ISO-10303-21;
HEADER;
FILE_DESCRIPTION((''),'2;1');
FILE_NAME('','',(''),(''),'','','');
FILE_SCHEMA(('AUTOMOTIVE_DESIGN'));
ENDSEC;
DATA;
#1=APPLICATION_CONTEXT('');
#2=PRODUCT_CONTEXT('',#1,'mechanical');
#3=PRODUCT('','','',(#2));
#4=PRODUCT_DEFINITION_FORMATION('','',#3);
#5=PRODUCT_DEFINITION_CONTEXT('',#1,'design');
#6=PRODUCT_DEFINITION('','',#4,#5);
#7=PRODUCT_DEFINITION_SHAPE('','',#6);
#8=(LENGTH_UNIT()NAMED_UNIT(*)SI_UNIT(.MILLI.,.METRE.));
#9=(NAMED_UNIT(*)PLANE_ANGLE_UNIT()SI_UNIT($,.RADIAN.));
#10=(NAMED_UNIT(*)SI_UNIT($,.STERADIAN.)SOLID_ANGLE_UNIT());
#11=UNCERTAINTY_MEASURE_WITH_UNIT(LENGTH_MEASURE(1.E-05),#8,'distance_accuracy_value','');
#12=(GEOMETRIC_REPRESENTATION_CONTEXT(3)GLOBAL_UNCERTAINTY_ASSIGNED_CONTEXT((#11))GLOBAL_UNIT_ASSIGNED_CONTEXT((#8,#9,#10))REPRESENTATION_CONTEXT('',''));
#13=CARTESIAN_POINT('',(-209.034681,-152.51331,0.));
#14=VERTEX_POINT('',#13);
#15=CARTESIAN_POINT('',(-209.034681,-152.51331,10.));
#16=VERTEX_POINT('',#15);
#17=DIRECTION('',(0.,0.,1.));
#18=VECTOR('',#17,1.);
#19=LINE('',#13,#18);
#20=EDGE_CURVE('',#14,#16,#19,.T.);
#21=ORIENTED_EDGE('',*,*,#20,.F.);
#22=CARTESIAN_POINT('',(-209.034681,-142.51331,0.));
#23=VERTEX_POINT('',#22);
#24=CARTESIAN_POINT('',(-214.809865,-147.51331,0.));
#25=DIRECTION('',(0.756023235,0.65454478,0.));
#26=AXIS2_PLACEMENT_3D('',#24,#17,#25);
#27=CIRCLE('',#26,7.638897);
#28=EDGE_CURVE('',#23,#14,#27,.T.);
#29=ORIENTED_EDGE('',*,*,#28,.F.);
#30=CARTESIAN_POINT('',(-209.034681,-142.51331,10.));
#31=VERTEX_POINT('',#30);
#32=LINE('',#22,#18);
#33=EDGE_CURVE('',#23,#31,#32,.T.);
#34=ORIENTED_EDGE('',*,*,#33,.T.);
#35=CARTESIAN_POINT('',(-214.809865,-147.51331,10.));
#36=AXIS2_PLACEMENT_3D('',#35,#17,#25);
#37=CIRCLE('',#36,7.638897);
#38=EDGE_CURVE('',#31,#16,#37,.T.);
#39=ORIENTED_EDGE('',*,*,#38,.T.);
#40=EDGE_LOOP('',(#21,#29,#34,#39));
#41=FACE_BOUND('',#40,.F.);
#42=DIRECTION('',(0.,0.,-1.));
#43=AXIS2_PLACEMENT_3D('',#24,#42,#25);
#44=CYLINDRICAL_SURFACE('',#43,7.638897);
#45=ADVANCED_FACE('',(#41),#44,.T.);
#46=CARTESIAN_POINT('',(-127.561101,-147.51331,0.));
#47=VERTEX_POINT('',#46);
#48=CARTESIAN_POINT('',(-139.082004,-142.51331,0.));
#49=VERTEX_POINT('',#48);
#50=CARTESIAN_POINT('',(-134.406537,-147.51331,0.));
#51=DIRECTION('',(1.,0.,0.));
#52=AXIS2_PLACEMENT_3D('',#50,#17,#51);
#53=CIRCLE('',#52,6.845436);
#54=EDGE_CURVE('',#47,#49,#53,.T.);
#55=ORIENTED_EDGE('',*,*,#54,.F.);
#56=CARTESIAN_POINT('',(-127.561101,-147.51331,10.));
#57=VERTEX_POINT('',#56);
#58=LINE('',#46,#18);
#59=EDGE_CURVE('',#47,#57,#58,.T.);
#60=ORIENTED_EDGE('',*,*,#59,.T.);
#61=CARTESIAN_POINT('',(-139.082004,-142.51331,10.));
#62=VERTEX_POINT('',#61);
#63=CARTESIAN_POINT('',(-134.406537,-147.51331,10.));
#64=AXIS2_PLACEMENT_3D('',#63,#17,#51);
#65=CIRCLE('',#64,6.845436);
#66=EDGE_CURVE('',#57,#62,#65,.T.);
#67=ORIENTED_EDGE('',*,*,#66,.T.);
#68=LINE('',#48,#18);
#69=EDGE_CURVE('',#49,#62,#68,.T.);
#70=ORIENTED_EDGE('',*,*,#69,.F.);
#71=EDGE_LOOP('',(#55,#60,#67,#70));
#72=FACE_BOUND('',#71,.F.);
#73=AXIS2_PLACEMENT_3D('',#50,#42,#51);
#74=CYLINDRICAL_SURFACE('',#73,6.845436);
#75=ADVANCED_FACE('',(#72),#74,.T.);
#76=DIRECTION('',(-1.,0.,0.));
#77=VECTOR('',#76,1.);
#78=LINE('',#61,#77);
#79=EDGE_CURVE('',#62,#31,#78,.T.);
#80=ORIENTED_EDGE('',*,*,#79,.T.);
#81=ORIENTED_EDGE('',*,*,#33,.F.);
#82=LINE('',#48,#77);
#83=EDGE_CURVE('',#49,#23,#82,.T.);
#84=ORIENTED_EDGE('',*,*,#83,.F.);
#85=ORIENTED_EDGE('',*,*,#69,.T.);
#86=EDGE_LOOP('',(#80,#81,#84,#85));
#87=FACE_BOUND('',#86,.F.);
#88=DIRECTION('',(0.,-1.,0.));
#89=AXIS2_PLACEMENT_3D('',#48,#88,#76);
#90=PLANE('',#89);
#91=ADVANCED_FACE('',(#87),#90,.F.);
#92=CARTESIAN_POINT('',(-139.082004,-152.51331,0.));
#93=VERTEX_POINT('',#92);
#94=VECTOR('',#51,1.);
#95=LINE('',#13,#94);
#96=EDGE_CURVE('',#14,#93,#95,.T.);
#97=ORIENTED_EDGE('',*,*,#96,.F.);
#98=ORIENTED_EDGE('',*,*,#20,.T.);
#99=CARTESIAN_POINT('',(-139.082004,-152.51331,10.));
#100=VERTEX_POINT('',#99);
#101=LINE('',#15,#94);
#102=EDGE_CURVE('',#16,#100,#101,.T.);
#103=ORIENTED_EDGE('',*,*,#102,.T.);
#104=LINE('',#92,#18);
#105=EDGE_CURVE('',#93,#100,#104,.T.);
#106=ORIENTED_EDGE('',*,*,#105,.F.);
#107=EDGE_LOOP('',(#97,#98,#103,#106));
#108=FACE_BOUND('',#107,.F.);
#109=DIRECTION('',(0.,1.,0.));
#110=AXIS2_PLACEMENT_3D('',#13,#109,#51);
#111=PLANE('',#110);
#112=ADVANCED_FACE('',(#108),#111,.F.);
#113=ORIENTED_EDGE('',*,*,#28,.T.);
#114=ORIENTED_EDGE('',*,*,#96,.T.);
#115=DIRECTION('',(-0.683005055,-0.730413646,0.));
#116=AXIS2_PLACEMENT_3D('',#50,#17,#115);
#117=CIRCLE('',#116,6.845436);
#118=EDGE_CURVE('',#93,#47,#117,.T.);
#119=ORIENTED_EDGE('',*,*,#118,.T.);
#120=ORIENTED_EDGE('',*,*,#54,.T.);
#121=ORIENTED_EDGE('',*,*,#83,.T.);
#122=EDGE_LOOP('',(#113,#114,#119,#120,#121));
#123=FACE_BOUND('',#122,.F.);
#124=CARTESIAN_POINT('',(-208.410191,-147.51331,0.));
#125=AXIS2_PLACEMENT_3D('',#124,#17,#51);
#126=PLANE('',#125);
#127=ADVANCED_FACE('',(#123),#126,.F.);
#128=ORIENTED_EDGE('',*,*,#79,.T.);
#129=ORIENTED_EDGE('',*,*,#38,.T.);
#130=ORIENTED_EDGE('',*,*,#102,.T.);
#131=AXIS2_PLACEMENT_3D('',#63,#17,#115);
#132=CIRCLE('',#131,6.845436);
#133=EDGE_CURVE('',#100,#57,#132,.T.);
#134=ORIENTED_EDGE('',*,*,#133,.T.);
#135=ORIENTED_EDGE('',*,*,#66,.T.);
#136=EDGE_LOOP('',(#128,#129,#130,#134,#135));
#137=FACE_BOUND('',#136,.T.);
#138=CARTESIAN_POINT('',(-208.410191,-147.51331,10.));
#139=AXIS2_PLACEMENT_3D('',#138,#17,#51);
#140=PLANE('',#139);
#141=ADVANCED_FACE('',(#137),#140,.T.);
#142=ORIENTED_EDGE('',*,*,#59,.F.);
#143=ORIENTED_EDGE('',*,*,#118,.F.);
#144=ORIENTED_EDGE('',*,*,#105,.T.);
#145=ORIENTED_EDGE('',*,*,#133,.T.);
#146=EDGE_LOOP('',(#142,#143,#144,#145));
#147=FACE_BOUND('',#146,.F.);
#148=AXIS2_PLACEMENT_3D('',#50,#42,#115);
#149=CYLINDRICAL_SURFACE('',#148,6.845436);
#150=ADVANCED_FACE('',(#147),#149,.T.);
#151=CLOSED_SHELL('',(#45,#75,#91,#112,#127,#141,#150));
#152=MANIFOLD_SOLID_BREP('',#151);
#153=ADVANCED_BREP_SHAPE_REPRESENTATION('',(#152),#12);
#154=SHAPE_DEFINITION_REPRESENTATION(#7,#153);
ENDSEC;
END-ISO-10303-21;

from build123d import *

# Parameters (mm, degrees)
F3_DEPTH = 10


with BuildPart() as f3:
    # F2 (on face) → F3 (new body)
    with BuildSketch(Plane.XY):
        with BuildLine():
            ThreePointArc((-207.1709679964, -147.5133103132), (-207.6520447758, -144.8452854186), (-209.0346813202, -142.5133103132))
            Line((-209.0346813202, -142.5133103132), (-209.0346813202, -152.5133103132))
            ThreePointArc((-209.0346813202, -152.5133103132), (-207.6520447758, -150.1813352079), (-207.1709679964, -147.5133103132))
        make_face()
        with BuildLine():
            Line((-139.082004335, -142.5133103132), (-209.0346813202, -142.5133103132))
            ThreePointArc((-209.0346813202, -142.5133103132), (-207.6520447758, -144.8452854186), (-207.1709679964, -147.5133103132))
            ThreePointArc((-207.1709679964, -147.5133103132), (-207.6520447758, -150.1813352079), (-209.0346813202, -152.5133103132))
            Line((-209.0346813202, -152.5133103132), (-139.082004335, -152.5133103132))
            ThreePointArc((-139.082004335, -152.5133103132), (-141.2519729984, -147.5133103132), (-139.082004335, -142.5133103132))
        make_face()
        with BuildLine():
            Line((-209.0346813202, -152.5133103132), (-209.0346813202, -142.5133103132))
            ThreePointArc((-209.0346813202, -142.5133103132), (-222.4487615225, -147.5133103132), (-209.0346813202, -152.5133103132))
        make_face()
        with BuildLine():
            ThreePointArc((-127.5611006367, -147.5133103132), (-131.6812494932, -141.2337557505), (-139.082004335, -142.5133103132))
            Line((-139.082004335, -142.5133103132), (-139.0346813202, -142.5133103132))
            Line((-139.0346813202, -142.5133103132), (-139.0346813202, -152.5133103132))
            Line((-139.0346813202, -152.5133103132), (-139.082004335, -152.5133103132))
            ThreePointArc((-139.082004335, -152.5133103132), (-131.6812494932, -153.792864876), (-127.5611006367, -147.5133103132))
        make_face()
        with BuildLine():
            Line((-139.0346813202, -142.5133103132), (-139.082004335, -142.5133103132))
            ThreePointArc((-139.082004335, -142.5133103132), (-141.2519729984, -147.5133103132), (-139.082004335, -152.5133103132))
            Line((-139.082004335, -152.5133103132), (-139.0346813202, -152.5133103132))
            Line((-139.0346813202, -152.5133103132), (-139.0346813202, -142.5133103132))
        make_face()
    extrude(amount=F3_DEPTH)


solid = f3.part
